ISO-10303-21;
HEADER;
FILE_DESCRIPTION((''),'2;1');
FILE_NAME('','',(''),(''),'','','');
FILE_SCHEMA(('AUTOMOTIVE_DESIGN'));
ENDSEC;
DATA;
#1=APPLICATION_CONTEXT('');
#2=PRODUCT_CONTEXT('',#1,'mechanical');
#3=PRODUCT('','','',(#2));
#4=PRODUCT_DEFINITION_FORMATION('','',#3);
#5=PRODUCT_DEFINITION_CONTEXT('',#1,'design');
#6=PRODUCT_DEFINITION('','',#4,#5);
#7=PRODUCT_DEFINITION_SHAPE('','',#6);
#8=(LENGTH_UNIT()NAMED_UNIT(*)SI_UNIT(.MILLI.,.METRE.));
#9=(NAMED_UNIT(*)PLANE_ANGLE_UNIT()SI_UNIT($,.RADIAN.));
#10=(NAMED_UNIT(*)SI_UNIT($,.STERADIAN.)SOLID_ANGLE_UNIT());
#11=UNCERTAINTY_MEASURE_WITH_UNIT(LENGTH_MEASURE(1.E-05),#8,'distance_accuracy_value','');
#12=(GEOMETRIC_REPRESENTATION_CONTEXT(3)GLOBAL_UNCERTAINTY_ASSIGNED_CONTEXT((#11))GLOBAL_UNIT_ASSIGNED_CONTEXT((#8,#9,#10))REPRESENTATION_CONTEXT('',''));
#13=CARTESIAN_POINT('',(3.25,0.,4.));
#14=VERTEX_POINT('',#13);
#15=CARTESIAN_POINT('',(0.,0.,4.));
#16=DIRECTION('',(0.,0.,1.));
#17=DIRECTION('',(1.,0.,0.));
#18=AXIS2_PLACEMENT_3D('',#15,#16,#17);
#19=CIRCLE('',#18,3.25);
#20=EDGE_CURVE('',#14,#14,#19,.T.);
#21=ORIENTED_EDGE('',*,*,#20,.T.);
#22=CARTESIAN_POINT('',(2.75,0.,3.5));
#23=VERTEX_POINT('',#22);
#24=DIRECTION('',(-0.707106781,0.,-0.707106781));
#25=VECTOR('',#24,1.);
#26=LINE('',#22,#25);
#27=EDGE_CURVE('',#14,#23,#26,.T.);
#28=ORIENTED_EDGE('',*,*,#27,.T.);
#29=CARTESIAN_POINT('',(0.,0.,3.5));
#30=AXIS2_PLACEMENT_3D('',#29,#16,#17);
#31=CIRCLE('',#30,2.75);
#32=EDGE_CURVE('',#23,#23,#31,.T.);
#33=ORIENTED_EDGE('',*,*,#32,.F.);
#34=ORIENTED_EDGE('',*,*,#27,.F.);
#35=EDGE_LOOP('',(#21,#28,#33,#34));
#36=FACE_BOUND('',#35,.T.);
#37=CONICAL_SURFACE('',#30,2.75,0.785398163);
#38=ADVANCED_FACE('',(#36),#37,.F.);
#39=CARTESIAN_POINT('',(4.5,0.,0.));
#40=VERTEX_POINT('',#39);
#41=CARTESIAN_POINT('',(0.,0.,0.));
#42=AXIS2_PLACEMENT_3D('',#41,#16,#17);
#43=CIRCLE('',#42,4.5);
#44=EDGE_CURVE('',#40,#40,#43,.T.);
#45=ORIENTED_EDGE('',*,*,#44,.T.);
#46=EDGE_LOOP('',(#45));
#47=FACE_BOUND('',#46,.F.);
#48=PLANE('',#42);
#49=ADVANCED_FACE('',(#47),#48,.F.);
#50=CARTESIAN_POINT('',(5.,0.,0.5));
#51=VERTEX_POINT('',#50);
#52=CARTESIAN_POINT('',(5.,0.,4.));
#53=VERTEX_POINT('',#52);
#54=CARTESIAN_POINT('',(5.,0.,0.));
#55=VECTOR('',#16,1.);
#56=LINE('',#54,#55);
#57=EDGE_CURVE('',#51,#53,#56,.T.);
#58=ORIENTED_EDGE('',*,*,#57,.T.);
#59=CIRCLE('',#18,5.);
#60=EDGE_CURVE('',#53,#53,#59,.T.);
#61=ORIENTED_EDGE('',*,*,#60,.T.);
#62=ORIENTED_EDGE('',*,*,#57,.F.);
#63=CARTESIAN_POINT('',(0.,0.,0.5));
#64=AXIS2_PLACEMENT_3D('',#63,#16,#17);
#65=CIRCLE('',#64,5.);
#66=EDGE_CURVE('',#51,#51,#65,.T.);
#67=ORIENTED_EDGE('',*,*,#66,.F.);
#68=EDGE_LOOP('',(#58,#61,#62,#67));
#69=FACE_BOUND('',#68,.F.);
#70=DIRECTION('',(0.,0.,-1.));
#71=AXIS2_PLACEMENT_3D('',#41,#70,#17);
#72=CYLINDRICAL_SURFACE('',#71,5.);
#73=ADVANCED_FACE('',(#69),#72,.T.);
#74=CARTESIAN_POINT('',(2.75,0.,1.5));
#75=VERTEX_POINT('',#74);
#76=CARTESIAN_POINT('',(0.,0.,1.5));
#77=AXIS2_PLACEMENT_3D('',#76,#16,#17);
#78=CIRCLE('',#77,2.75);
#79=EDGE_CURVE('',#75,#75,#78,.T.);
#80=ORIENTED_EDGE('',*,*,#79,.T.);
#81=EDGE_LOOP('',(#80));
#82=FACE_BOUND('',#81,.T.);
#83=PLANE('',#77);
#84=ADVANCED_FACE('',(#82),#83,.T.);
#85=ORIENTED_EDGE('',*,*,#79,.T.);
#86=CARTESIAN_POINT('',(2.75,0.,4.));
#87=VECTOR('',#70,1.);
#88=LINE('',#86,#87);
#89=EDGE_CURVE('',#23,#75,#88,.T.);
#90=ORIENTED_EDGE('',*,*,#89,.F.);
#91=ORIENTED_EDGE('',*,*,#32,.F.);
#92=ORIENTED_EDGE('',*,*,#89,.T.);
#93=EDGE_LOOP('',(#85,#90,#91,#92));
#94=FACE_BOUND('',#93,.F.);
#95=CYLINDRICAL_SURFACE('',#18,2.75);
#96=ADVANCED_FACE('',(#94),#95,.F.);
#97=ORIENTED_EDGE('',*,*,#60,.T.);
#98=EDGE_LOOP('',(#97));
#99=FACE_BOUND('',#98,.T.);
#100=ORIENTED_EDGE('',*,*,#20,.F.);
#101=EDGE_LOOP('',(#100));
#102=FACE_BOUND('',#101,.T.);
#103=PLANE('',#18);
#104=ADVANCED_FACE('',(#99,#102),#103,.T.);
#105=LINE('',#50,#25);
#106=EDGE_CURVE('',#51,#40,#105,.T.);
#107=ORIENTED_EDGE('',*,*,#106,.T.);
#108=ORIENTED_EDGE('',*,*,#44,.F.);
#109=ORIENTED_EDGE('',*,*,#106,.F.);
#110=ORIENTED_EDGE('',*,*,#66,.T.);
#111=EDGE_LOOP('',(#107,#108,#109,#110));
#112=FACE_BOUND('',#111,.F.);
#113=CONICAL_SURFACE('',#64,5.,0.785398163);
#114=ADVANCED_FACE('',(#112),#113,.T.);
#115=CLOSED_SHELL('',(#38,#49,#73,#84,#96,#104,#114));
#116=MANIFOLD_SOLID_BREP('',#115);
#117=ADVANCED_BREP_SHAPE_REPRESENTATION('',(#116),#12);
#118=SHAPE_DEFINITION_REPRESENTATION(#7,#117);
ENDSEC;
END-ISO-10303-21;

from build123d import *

# Parameters (mm, degrees)
F0_R     = 5
F1_DEPTH = 4
F2_R     = 2.75
F3_DEPTH = 2.5
F4_SIZE  = 0.5


with BuildPart() as f1:
    # F0 (on Top) → F1 (new body)
    with BuildSketch(Plane.XY):
        Circle(F0_R)
    extrude(amount=F1_DEPTH)

    # F2 (on face) → F3 (cut)
    with BuildSketch(Plane.XY.offset(4)):
        Circle(F2_R)
    extrude(amount=-F3_DEPTH, mode=Mode.SUBTRACT)

    # F4
    f4_edges = [f1.edges().sort_by_distance(p)[0] for p in [
        (-2.75, 0, 4),
        (-5, 0, 0),
    ]]
    chamfer(f4_edges, length=F4_SIZE)


solid = f1.part
